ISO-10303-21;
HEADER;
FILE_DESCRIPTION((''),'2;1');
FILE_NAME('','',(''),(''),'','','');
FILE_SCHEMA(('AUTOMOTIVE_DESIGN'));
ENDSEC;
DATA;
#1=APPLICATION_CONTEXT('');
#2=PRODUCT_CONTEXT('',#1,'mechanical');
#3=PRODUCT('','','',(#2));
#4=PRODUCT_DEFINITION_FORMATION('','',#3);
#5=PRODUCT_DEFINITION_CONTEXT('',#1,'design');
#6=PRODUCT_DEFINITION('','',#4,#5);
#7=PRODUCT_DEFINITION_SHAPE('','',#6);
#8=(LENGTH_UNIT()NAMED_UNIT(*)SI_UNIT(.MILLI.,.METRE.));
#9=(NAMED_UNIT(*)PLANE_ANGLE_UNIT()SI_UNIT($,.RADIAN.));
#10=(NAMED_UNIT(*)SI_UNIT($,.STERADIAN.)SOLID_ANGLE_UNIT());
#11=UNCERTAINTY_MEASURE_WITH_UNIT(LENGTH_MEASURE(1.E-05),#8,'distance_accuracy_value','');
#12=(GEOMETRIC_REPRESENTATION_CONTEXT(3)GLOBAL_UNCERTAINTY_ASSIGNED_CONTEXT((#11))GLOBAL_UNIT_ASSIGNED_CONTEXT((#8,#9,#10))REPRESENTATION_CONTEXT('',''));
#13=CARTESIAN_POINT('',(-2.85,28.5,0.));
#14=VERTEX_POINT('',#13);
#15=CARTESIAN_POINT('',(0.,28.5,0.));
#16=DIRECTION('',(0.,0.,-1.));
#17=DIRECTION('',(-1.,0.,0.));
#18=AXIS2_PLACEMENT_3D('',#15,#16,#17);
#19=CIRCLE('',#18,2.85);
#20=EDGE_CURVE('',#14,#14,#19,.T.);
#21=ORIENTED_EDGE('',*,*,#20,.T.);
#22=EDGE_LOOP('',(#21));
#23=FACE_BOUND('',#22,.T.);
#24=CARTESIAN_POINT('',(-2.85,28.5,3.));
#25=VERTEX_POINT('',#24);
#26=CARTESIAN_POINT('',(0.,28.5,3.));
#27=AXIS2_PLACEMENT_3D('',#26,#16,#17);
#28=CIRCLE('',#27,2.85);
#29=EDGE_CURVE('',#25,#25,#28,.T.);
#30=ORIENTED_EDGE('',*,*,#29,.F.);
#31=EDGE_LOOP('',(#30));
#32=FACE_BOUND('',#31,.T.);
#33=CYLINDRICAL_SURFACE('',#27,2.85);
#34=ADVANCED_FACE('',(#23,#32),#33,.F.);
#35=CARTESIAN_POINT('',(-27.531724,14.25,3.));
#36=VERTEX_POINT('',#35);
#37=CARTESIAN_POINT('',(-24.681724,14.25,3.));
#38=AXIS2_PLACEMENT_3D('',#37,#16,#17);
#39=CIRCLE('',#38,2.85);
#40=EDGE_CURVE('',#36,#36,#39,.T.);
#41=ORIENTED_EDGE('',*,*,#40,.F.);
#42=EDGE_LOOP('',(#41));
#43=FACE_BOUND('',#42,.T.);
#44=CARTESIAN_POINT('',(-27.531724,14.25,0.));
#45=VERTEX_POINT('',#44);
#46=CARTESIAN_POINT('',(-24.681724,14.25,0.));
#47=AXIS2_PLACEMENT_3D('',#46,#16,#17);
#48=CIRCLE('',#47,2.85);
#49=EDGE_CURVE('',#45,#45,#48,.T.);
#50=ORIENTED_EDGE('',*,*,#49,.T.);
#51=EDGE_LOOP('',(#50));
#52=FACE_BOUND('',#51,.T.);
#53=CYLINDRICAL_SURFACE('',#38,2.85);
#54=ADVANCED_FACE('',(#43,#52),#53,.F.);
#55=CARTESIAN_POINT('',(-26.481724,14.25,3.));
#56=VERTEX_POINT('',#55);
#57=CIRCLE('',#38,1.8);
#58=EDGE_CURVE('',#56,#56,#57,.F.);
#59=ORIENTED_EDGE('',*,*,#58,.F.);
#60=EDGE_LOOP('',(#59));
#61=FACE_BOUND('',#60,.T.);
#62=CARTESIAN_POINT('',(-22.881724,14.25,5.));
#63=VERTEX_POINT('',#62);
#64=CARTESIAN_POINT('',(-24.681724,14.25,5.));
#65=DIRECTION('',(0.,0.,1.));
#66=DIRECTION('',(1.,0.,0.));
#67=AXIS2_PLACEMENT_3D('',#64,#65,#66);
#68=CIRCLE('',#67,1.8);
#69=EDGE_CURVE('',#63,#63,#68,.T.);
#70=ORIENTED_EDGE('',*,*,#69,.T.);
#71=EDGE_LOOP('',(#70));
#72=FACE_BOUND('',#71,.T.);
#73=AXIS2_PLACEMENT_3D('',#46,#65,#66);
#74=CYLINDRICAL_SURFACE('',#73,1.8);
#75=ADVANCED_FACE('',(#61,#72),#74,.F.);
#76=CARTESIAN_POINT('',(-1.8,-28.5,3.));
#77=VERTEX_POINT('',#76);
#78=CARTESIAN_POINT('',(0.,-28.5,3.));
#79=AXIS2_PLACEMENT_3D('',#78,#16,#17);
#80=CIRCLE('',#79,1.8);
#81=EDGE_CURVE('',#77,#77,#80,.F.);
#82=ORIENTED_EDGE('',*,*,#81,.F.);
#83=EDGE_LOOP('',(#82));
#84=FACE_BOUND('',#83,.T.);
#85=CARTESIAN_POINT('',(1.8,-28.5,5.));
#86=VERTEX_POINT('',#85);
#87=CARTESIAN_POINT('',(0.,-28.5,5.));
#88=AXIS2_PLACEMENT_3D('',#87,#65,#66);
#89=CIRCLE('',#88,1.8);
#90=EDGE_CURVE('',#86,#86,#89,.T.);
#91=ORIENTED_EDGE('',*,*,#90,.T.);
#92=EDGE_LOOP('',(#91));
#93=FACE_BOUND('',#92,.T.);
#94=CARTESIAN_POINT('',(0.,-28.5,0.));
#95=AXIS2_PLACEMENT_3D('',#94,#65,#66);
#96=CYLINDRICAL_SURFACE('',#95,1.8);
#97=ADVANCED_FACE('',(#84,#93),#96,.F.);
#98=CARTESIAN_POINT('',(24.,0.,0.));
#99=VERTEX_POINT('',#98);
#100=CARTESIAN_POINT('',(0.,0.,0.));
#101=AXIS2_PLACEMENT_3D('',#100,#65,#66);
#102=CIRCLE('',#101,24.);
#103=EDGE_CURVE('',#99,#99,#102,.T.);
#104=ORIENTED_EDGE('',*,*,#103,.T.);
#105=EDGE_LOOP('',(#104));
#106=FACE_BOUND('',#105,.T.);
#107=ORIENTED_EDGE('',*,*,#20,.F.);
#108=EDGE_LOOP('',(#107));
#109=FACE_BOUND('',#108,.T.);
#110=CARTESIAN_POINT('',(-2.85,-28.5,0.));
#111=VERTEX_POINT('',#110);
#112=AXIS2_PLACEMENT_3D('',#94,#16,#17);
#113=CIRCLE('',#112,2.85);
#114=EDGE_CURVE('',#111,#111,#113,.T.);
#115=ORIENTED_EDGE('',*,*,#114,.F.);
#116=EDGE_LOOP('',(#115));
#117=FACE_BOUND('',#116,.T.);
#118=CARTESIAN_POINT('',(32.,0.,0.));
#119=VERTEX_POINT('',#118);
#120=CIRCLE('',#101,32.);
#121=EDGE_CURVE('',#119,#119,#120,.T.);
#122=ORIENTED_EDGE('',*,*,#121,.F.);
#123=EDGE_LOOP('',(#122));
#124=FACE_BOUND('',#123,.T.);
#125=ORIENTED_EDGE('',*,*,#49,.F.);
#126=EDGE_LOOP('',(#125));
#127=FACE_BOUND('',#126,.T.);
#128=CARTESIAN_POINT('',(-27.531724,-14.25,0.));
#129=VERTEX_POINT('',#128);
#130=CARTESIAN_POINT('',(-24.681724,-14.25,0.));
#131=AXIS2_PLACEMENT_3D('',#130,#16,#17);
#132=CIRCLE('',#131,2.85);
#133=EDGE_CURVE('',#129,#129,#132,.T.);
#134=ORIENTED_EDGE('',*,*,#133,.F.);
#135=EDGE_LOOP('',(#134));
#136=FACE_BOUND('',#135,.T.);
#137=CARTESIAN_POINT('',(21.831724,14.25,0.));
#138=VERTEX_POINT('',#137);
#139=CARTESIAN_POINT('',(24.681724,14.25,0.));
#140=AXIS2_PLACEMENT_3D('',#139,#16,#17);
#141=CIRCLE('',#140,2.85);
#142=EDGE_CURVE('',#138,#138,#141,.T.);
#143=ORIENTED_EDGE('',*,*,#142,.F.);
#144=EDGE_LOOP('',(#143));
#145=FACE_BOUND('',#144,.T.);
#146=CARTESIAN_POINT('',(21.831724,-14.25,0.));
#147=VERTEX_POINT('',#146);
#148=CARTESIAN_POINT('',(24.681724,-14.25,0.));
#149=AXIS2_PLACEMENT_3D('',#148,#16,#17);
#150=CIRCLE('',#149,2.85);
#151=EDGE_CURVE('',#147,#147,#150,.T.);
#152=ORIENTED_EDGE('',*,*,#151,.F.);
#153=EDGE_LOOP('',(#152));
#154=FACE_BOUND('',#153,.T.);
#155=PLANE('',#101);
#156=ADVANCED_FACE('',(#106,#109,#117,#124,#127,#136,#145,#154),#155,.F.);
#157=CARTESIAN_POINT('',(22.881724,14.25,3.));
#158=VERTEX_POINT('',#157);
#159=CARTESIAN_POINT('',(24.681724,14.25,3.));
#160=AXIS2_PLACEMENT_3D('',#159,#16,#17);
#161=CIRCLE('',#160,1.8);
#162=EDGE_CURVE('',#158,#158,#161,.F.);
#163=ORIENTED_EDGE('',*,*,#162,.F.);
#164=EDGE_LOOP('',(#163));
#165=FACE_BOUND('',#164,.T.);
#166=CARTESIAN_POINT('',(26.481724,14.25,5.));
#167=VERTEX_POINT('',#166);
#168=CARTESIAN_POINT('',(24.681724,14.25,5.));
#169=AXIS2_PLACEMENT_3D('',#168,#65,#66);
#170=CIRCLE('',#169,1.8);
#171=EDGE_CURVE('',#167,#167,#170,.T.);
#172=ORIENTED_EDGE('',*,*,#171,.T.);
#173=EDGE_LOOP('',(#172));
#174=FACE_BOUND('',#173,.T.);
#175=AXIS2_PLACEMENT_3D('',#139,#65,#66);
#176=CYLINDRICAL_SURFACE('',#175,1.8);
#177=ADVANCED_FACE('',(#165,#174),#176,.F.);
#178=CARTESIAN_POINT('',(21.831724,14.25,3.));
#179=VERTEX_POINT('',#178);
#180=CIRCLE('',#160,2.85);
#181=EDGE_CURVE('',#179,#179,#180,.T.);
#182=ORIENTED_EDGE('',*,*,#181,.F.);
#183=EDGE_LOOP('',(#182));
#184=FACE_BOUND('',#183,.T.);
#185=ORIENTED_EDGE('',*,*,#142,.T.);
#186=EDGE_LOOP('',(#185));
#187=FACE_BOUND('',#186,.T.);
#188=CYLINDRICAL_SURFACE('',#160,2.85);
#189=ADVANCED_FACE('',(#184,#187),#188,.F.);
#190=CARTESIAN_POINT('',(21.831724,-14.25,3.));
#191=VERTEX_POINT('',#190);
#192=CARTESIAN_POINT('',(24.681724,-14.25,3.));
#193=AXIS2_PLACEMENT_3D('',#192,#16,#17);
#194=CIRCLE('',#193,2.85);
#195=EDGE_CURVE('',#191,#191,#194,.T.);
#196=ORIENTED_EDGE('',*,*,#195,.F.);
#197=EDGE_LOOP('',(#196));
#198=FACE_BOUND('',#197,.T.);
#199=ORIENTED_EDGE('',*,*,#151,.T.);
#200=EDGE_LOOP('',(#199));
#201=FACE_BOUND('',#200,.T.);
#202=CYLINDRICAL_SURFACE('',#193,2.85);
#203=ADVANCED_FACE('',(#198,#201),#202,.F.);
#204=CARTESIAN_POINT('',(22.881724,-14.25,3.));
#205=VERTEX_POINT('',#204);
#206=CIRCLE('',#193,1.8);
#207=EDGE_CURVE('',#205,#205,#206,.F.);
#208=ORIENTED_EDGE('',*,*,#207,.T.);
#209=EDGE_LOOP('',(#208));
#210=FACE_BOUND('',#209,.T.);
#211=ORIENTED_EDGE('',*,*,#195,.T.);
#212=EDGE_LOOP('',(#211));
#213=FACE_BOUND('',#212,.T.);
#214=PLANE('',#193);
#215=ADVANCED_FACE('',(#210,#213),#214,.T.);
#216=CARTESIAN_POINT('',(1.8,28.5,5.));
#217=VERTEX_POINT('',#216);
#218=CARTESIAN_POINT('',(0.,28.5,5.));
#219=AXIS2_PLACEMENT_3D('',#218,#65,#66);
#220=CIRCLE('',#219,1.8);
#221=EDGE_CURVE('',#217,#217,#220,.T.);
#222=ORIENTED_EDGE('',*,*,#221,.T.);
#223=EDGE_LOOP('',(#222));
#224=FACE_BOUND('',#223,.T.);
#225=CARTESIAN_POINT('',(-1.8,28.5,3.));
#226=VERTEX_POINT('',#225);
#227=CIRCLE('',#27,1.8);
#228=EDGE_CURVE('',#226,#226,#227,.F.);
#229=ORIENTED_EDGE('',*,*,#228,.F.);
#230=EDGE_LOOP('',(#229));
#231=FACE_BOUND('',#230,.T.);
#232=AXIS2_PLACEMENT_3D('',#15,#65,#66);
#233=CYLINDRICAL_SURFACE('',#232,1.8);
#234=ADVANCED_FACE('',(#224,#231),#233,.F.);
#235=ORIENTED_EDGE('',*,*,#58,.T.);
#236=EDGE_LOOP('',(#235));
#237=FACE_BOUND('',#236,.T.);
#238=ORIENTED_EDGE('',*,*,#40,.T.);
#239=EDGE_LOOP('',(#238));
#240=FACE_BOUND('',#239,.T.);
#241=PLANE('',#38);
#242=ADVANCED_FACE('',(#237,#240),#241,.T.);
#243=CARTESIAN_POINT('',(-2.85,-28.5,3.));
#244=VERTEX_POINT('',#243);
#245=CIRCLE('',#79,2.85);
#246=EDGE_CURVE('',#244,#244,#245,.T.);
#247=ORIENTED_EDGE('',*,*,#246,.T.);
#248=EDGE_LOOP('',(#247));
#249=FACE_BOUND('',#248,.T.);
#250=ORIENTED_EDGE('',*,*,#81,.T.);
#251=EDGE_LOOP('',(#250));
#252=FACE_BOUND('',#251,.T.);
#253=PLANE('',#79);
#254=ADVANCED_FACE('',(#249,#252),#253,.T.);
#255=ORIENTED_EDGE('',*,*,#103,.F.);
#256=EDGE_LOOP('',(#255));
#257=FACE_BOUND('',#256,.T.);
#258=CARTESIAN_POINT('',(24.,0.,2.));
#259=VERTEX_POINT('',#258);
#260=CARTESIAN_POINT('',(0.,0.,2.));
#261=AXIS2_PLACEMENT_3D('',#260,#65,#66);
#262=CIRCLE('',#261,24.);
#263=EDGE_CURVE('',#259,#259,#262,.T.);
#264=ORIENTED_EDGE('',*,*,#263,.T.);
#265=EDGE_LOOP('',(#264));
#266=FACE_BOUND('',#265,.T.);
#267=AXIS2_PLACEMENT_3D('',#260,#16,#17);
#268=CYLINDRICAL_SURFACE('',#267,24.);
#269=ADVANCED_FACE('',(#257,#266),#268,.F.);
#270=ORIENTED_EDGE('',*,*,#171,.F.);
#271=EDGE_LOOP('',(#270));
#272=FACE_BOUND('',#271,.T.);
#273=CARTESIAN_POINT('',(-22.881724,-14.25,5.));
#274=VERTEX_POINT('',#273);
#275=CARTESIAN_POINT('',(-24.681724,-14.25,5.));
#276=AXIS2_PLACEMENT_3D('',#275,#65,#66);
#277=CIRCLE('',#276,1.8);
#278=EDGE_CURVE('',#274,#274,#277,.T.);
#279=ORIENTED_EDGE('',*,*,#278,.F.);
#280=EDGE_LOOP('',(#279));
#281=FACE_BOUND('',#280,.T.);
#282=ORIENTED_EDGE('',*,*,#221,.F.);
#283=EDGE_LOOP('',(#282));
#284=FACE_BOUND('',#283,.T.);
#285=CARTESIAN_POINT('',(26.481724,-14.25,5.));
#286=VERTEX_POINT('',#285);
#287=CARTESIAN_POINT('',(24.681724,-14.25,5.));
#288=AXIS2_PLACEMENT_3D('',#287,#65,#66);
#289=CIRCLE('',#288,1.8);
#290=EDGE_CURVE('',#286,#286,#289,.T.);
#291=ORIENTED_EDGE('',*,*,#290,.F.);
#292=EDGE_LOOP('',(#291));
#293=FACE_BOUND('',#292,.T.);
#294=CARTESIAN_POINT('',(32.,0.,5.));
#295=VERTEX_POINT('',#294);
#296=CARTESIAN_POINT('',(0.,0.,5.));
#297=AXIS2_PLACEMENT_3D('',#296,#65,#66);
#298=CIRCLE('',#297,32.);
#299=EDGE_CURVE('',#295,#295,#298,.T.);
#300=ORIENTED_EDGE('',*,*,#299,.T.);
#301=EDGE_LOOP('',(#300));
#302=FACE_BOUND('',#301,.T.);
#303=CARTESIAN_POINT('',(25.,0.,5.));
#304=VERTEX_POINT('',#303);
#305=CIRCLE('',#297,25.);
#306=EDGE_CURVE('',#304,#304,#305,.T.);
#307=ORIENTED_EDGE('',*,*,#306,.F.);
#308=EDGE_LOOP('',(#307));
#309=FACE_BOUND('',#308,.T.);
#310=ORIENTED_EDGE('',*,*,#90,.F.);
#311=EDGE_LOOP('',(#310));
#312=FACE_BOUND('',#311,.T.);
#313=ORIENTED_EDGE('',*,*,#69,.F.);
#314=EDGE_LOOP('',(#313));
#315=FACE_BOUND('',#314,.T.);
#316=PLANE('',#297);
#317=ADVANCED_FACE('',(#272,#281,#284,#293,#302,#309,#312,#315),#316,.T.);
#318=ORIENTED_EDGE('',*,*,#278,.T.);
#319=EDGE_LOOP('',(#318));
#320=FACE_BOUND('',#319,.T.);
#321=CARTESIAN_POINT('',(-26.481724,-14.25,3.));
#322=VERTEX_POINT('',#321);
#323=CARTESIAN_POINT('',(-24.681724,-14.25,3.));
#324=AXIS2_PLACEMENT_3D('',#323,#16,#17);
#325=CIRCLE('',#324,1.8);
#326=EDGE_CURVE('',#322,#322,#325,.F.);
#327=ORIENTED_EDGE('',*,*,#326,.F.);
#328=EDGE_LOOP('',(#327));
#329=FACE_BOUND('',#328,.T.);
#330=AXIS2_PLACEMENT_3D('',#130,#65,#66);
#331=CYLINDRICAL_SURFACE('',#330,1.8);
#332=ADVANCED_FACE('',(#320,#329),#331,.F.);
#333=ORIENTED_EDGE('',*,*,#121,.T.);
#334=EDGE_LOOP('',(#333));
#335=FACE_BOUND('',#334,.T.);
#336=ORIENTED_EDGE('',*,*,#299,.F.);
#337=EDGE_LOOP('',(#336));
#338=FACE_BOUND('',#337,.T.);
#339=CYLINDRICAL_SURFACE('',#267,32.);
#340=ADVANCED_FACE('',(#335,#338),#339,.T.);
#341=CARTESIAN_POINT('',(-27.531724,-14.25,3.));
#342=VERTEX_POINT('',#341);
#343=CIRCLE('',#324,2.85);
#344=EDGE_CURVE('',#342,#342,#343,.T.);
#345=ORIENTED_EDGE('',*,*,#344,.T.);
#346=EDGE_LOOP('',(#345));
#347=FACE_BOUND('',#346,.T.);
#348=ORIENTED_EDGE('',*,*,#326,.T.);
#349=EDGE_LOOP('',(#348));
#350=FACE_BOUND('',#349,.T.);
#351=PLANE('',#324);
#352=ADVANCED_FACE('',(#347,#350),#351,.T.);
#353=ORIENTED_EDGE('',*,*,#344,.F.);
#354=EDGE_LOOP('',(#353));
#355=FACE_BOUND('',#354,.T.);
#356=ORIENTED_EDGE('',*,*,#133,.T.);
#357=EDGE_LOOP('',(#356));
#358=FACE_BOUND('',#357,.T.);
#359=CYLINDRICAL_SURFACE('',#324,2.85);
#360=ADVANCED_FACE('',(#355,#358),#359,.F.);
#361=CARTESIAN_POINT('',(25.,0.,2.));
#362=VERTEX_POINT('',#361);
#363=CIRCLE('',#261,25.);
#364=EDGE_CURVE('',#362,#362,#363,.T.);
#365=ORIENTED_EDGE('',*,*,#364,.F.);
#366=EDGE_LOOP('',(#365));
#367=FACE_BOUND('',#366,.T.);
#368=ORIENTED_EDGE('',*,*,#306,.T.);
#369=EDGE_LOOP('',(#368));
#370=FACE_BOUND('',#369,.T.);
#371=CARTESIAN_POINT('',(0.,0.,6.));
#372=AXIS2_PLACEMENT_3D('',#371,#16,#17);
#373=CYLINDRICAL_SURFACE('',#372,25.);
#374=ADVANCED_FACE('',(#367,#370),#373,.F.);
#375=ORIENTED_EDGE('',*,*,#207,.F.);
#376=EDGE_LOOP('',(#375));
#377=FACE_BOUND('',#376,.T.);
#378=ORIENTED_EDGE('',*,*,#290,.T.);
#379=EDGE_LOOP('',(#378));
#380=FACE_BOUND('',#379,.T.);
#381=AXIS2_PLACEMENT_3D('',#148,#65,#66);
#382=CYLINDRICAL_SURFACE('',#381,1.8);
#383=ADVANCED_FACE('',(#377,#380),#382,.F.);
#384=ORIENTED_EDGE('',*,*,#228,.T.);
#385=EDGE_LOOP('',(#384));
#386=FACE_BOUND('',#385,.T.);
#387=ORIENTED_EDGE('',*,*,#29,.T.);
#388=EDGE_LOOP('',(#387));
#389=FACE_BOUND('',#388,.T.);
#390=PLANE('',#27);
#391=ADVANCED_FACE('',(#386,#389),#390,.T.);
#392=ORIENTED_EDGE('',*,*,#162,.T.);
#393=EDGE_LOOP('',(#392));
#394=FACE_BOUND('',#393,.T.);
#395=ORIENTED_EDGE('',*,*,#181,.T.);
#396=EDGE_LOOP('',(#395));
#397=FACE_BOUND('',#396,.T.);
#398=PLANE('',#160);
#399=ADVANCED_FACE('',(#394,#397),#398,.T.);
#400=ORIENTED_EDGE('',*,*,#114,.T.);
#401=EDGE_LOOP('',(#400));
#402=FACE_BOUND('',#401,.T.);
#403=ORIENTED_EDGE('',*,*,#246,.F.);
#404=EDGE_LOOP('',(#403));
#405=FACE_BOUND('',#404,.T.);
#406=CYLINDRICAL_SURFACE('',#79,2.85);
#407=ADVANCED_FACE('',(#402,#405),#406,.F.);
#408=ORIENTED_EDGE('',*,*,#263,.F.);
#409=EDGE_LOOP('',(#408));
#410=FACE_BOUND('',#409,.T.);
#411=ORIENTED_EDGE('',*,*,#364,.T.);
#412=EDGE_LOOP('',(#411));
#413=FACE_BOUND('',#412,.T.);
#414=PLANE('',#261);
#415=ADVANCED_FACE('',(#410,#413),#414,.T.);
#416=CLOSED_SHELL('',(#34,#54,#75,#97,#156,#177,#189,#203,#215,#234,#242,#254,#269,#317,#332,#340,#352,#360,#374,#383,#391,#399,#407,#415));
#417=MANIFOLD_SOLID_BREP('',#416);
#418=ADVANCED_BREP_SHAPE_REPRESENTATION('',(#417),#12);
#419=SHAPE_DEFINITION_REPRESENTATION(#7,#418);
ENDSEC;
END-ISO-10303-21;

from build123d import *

# Parameters (mm, degrees)
SKETCH_1_R          = 32
SKETCH_1_R_2        = 24
EXTRUDE_1_DEPTH     = 2
SKETCH_2_R          = 32
SKETCH_2_R_2        = 25
EXTRUDE_2_DEPTH     = 4
SKETCH_3_R          = 1.8
CUT_EXTRUDE_1_DEPTH = 46.650848842
SKETCH_4_R          = 2.85
CUT_EXTRUDE_2_DEPTH = 3
SKETCH_5_R          = 32
SKETCH_5_R_2        = 25
SKETCH_5_R_3        = 1.8
CUT_EXTRUDE_3_DEPTH = 1


with BuildPart() as part:
    # 草图1 → 凸台-拉伸1 (new body)
    with BuildSketch(Plane.XY):
        Circle(SKETCH_1_R)
        Circle(SKETCH_1_R_2, mode=Mode.SUBTRACT)
    extrude(amount=EXTRUDE_1_DEPTH)

    # 草图2 → 凸台-拉伸2 (add)
    with BuildSketch(Plane.XY.offset(2)):
        Circle(SKETCH_2_R)
        Circle(SKETCH_2_R_2, mode=Mode.SUBTRACT)
    extrude(amount=EXTRUDE_2_DEPTH)

    # 草图3 → 切除-拉伸1 (cut, through all)
    with BuildSketch(Plane.XY.offset(6)):
        with Locations((0, 28.5)):
            Circle(SKETCH_3_R)
        with Locations((24.681724008, 14.25)):
            Circle(SKETCH_3_R)
        with Locations((24.681724008, -14.25)):
            Circle(SKETCH_3_R)
        with Locations((0, -28.5)):
            Circle(SKETCH_3_R)
        with Locations((-24.681724008, -14.25)):
            Circle(SKETCH_3_R)
        with Locations((-24.681724008, 14.25)):
            Circle(SKETCH_3_R)
    extrude(amount=-CUT_EXTRUDE_1_DEPTH, mode=Mode.SUBTRACT)

    # 草图4 → 切除-拉伸2 (cut)
    with BuildSketch(Plane(origin=(0, 0, 0), x_dir=(-1, 0, 0), z_dir=(0, 0, -1))):
        with Locations((-24.681724008, -14.25)):
            Circle(SKETCH_4_R)
        with Locations((-24.681724008, 14.25)):
            Circle(SKETCH_4_R)
        with Locations((0, 28.5)):
            Circle(SKETCH_4_R)
        with Locations((24.681724008, 14.25)):
            Circle(SKETCH_4_R)
        with Locations((24.681724008, -14.25)):
            Circle(SKETCH_4_R)
        with Locations((0, -28.5)):
            Circle(SKETCH_4_R)
    extrude(amount=-CUT_EXTRUDE_2_DEPTH, mode=Mode.SUBTRACT)

    # 草图5 → 切除-拉伸3 (cut)
    with BuildSketch(Plane.XY.offset(6)):
        Circle(SKETCH_5_R)
        Circle(SKETCH_5_R_2, mode=Mode.SUBTRACT)
        with Locations((-24.681724008, 14.25)):
            Circle(SKETCH_5_R_3, mode=Mode.SUBTRACT)
        with Locations((0, 28.5)):
            Circle(SKETCH_5_R_3, mode=Mode.SUBTRACT)
        with Locations((24.681724008, 14.25)):
            Circle(SKETCH_5_R_3, mode=Mode.SUBTRACT)
        with Locations((24.681724008, -14.25)):
            Circle(SKETCH_5_R_3, mode=Mode.SUBTRACT)
        with Locations((0, -28.5)):
            Circle(SKETCH_5_R_3, mode=Mode.SUBTRACT)
        with Locations((-24.681724008, -14.25)):
            Circle(SKETCH_5_R_3, mode=Mode.SUBTRACT)
    extrude(amount=-CUT_EXTRUDE_3_DEPTH, mode=Mode.SUBTRACT)


solid = part.part
